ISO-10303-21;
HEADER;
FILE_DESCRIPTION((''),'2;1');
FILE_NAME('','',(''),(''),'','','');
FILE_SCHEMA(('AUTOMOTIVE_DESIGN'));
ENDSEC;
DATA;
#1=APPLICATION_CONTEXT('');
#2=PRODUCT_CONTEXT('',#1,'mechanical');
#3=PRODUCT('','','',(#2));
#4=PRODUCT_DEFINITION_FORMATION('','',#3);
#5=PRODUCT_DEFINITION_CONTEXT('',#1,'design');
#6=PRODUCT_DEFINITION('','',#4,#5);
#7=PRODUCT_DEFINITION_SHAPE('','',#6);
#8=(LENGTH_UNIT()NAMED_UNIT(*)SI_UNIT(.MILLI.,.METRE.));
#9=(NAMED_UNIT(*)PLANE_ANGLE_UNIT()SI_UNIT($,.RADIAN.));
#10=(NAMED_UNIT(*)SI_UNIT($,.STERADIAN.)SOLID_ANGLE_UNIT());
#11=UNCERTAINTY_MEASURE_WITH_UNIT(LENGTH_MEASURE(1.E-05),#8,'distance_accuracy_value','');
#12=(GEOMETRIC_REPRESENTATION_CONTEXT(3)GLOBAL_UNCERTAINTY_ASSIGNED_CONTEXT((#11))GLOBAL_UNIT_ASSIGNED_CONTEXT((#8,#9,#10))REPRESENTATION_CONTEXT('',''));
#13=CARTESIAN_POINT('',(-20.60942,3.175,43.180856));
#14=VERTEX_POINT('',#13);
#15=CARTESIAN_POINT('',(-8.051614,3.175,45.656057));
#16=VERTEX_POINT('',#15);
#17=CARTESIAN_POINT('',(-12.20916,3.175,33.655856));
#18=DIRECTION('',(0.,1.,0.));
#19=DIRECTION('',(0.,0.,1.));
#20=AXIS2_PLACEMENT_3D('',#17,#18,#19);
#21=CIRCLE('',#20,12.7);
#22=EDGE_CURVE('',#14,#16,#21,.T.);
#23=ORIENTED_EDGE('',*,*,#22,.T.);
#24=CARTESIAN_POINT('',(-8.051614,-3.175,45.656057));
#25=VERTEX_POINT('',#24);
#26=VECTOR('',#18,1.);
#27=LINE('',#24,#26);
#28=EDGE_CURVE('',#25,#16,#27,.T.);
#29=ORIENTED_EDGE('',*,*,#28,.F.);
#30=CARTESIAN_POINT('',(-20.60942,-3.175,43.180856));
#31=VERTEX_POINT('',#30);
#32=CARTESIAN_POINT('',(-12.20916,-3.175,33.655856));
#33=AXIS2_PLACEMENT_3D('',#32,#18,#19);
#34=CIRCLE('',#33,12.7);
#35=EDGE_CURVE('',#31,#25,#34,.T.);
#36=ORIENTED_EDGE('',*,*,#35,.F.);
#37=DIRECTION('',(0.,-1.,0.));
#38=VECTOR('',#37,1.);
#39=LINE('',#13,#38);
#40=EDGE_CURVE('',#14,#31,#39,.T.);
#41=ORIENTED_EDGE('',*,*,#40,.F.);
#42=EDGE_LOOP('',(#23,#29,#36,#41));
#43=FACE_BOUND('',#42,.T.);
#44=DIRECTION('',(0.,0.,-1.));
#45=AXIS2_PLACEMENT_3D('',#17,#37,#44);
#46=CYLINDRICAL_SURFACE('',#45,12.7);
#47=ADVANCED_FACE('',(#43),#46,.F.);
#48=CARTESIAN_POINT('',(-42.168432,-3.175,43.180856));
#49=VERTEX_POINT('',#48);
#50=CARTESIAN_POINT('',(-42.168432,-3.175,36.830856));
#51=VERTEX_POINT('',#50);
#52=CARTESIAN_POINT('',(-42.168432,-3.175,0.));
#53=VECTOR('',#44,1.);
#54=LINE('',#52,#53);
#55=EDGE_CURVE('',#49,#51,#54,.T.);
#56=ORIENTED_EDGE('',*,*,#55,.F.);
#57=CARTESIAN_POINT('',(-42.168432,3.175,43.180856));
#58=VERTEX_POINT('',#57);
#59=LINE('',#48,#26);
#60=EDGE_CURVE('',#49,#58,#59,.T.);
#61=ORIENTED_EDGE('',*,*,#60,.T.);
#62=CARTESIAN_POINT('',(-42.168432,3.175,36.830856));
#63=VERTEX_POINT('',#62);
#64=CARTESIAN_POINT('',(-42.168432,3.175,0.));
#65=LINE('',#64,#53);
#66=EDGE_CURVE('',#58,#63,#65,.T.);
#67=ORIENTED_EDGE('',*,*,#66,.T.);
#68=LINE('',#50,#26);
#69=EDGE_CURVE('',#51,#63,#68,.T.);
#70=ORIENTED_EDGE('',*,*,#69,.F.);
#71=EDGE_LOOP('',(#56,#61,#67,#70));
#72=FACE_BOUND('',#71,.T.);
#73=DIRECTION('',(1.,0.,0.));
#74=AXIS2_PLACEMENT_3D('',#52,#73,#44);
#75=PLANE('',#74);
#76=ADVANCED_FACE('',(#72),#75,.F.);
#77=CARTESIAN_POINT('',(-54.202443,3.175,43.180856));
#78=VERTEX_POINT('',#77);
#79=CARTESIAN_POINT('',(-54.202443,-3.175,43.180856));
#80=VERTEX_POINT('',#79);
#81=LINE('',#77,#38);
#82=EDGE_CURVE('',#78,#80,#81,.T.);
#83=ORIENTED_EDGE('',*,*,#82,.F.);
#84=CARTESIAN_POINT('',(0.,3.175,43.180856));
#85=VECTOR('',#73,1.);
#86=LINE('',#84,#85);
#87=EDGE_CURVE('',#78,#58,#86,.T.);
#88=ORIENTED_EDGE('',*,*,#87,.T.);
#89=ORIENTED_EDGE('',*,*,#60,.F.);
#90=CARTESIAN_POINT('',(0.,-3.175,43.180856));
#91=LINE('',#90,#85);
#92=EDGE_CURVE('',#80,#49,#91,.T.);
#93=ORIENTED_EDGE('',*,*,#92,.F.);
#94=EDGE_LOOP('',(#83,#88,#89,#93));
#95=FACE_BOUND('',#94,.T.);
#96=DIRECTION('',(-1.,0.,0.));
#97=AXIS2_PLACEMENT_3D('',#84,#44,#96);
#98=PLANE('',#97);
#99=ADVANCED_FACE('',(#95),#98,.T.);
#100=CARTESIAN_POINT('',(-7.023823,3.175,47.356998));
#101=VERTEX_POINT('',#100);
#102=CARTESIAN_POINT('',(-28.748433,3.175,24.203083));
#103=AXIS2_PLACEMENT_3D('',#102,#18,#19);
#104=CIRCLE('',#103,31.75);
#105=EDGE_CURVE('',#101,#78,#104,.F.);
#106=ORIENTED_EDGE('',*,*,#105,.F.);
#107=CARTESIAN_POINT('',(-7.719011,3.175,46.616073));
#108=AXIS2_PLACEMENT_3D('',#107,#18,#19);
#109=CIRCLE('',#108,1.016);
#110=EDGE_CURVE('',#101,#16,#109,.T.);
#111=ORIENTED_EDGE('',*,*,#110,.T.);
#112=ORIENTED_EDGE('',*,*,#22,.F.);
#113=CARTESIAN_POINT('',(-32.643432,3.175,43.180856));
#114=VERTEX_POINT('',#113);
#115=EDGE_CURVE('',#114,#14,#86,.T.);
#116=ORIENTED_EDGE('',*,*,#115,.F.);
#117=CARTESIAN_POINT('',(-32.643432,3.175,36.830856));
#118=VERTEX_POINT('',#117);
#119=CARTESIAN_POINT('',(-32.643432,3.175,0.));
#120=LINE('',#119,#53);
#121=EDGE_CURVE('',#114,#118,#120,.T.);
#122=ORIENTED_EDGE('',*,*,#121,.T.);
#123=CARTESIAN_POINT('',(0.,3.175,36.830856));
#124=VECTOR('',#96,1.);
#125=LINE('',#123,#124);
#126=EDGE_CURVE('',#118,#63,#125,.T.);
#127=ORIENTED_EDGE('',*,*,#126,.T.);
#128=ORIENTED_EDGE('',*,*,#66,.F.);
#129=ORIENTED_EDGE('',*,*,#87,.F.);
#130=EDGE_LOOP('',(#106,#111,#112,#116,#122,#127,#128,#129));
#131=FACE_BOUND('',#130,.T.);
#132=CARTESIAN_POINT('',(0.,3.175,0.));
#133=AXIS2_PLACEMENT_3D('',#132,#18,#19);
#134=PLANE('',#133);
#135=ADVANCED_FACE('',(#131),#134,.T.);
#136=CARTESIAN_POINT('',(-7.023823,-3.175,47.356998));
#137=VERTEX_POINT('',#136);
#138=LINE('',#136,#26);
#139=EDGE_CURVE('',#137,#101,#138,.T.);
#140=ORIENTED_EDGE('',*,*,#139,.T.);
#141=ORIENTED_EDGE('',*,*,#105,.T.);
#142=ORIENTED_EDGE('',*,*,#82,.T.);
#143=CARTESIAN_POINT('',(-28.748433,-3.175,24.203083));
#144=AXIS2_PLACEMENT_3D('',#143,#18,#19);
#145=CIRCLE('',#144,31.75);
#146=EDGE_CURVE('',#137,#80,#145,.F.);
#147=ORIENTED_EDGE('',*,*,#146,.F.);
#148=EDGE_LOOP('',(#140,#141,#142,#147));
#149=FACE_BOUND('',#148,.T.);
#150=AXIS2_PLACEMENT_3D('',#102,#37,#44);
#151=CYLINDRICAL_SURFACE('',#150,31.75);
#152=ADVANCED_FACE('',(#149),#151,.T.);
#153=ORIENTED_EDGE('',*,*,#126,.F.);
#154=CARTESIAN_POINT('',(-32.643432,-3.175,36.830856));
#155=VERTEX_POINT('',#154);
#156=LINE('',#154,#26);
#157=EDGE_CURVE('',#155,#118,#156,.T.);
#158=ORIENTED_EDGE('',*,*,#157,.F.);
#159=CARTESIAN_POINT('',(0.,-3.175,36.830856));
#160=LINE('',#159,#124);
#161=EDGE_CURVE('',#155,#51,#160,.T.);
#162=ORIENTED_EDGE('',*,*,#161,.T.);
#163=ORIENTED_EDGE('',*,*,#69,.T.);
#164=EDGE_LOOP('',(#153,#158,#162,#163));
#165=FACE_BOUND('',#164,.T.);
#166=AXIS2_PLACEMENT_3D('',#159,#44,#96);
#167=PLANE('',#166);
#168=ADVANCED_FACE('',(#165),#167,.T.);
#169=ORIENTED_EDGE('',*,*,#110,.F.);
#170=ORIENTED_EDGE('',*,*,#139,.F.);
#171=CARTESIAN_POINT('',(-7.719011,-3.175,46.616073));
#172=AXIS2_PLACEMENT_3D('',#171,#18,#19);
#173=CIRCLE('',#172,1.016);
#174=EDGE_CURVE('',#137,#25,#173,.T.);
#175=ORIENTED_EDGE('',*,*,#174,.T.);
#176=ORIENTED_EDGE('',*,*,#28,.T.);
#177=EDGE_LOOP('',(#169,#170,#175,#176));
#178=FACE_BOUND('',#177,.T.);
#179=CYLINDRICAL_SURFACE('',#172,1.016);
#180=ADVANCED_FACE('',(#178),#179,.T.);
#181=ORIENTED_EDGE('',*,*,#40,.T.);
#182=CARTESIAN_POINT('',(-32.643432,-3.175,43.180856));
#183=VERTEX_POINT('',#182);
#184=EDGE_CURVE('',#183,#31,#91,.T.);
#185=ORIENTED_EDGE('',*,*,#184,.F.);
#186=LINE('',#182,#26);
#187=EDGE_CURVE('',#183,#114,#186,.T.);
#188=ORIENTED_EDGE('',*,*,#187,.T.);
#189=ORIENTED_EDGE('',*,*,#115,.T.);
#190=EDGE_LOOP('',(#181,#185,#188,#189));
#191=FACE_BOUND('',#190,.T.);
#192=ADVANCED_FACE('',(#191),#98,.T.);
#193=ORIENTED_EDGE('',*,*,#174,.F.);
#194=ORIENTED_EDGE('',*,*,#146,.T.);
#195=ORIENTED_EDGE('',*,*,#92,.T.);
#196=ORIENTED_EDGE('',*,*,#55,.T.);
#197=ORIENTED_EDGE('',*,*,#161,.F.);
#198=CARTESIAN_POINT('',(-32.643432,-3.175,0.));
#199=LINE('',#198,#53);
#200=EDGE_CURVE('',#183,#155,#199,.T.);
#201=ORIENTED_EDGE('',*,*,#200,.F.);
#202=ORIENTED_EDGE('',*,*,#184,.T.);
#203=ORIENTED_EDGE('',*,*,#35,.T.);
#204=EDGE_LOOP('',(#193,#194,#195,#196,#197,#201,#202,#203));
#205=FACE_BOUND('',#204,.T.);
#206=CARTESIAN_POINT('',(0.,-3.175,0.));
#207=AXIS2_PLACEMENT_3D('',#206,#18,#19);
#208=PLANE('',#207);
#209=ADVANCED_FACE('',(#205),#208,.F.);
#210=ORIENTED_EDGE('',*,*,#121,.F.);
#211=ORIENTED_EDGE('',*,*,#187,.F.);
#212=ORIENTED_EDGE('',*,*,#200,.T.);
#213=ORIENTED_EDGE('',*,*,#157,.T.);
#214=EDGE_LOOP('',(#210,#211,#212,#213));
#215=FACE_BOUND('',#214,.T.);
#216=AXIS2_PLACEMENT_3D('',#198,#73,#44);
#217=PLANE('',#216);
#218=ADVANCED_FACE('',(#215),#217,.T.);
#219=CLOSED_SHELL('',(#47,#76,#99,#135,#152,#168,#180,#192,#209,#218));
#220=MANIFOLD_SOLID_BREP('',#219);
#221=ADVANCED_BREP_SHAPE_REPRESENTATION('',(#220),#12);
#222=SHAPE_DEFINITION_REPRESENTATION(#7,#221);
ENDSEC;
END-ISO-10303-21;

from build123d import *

# Parameters (mm, degrees)
BOSS_EXTRUDE1_DEPTH = 3.175
SKETCH2_W           = 9.525
SKETCH2_H           = 6.35
BOSS_EXTRUDE2_DEPTH = 6.35
CUT_EXTRUDE1_DEPTH  = 79.159931038


with BuildPart() as part:
    # Sketch1 → Boss-Extrude1 (new, symmetric)
    with BuildSketch(Plane(origin=(0, 0, 0), x_dir=(1, 0, 0), z_dir=(0, 1, 0))):
        with BuildLine():
            Line((-41.502443258, -43.180856192), (-54.202443258, -43.180856192))
            ThreePointArc((-54.202443258, -43.180856192), (-26.821849193, -55.894576411), (-1.182977367, -39.95770518))
            ThreePointArc((-1.182977367, -39.95770518), (-10.130448134, -46.184581497), (-20.609420226, -43.180856192))
            Line((-20.609420226, -43.180856192), (-41.502443258, -43.180856192))
        make_face()
    extrude(amount=BOSS_EXTRUDE1_DEPTH, both=True)

    # Sketch2 → Boss-Extrude2 (add)
    with BuildSketch(Plane(origin=(0, 3.175, 0), x_dir=(1, 0, 0), z_dir=(0, 1, 0))):
        with Locations((-37.405931742, -40.005856192)):
            Rectangle(SKETCH2_W, SKETCH2_H)
    extrude(amount=-BOSS_EXTRUDE2_DEPTH)

    # Sketch3 → Cut-Extrude1 (cut, through all)
    with BuildSketch(Plane(origin=(0, 3.175, 0), x_dir=(1, 0, 0), z_dir=(0, 1, 0))):
        with BuildLine():
            ThreePointArc((-1.182977367, -39.95770518), (-4.100263319, -43.430097731), (-8.051614181, -45.656056787))
            ThreePointArc((-8.051614181, -45.656056787), (-6.849431822, -46.090631239), (-7.023822995, -47.356998128))
            ThreePointArc((-7.023822995, -47.356998128), (-3.827256735, -43.87533346), (-1.182977367, -39.95770518))
        make_face()
    extrude(amount=-CUT_EXTRUDE1_DEPTH, mode=Mode.SUBTRACT)


solid = part.part
